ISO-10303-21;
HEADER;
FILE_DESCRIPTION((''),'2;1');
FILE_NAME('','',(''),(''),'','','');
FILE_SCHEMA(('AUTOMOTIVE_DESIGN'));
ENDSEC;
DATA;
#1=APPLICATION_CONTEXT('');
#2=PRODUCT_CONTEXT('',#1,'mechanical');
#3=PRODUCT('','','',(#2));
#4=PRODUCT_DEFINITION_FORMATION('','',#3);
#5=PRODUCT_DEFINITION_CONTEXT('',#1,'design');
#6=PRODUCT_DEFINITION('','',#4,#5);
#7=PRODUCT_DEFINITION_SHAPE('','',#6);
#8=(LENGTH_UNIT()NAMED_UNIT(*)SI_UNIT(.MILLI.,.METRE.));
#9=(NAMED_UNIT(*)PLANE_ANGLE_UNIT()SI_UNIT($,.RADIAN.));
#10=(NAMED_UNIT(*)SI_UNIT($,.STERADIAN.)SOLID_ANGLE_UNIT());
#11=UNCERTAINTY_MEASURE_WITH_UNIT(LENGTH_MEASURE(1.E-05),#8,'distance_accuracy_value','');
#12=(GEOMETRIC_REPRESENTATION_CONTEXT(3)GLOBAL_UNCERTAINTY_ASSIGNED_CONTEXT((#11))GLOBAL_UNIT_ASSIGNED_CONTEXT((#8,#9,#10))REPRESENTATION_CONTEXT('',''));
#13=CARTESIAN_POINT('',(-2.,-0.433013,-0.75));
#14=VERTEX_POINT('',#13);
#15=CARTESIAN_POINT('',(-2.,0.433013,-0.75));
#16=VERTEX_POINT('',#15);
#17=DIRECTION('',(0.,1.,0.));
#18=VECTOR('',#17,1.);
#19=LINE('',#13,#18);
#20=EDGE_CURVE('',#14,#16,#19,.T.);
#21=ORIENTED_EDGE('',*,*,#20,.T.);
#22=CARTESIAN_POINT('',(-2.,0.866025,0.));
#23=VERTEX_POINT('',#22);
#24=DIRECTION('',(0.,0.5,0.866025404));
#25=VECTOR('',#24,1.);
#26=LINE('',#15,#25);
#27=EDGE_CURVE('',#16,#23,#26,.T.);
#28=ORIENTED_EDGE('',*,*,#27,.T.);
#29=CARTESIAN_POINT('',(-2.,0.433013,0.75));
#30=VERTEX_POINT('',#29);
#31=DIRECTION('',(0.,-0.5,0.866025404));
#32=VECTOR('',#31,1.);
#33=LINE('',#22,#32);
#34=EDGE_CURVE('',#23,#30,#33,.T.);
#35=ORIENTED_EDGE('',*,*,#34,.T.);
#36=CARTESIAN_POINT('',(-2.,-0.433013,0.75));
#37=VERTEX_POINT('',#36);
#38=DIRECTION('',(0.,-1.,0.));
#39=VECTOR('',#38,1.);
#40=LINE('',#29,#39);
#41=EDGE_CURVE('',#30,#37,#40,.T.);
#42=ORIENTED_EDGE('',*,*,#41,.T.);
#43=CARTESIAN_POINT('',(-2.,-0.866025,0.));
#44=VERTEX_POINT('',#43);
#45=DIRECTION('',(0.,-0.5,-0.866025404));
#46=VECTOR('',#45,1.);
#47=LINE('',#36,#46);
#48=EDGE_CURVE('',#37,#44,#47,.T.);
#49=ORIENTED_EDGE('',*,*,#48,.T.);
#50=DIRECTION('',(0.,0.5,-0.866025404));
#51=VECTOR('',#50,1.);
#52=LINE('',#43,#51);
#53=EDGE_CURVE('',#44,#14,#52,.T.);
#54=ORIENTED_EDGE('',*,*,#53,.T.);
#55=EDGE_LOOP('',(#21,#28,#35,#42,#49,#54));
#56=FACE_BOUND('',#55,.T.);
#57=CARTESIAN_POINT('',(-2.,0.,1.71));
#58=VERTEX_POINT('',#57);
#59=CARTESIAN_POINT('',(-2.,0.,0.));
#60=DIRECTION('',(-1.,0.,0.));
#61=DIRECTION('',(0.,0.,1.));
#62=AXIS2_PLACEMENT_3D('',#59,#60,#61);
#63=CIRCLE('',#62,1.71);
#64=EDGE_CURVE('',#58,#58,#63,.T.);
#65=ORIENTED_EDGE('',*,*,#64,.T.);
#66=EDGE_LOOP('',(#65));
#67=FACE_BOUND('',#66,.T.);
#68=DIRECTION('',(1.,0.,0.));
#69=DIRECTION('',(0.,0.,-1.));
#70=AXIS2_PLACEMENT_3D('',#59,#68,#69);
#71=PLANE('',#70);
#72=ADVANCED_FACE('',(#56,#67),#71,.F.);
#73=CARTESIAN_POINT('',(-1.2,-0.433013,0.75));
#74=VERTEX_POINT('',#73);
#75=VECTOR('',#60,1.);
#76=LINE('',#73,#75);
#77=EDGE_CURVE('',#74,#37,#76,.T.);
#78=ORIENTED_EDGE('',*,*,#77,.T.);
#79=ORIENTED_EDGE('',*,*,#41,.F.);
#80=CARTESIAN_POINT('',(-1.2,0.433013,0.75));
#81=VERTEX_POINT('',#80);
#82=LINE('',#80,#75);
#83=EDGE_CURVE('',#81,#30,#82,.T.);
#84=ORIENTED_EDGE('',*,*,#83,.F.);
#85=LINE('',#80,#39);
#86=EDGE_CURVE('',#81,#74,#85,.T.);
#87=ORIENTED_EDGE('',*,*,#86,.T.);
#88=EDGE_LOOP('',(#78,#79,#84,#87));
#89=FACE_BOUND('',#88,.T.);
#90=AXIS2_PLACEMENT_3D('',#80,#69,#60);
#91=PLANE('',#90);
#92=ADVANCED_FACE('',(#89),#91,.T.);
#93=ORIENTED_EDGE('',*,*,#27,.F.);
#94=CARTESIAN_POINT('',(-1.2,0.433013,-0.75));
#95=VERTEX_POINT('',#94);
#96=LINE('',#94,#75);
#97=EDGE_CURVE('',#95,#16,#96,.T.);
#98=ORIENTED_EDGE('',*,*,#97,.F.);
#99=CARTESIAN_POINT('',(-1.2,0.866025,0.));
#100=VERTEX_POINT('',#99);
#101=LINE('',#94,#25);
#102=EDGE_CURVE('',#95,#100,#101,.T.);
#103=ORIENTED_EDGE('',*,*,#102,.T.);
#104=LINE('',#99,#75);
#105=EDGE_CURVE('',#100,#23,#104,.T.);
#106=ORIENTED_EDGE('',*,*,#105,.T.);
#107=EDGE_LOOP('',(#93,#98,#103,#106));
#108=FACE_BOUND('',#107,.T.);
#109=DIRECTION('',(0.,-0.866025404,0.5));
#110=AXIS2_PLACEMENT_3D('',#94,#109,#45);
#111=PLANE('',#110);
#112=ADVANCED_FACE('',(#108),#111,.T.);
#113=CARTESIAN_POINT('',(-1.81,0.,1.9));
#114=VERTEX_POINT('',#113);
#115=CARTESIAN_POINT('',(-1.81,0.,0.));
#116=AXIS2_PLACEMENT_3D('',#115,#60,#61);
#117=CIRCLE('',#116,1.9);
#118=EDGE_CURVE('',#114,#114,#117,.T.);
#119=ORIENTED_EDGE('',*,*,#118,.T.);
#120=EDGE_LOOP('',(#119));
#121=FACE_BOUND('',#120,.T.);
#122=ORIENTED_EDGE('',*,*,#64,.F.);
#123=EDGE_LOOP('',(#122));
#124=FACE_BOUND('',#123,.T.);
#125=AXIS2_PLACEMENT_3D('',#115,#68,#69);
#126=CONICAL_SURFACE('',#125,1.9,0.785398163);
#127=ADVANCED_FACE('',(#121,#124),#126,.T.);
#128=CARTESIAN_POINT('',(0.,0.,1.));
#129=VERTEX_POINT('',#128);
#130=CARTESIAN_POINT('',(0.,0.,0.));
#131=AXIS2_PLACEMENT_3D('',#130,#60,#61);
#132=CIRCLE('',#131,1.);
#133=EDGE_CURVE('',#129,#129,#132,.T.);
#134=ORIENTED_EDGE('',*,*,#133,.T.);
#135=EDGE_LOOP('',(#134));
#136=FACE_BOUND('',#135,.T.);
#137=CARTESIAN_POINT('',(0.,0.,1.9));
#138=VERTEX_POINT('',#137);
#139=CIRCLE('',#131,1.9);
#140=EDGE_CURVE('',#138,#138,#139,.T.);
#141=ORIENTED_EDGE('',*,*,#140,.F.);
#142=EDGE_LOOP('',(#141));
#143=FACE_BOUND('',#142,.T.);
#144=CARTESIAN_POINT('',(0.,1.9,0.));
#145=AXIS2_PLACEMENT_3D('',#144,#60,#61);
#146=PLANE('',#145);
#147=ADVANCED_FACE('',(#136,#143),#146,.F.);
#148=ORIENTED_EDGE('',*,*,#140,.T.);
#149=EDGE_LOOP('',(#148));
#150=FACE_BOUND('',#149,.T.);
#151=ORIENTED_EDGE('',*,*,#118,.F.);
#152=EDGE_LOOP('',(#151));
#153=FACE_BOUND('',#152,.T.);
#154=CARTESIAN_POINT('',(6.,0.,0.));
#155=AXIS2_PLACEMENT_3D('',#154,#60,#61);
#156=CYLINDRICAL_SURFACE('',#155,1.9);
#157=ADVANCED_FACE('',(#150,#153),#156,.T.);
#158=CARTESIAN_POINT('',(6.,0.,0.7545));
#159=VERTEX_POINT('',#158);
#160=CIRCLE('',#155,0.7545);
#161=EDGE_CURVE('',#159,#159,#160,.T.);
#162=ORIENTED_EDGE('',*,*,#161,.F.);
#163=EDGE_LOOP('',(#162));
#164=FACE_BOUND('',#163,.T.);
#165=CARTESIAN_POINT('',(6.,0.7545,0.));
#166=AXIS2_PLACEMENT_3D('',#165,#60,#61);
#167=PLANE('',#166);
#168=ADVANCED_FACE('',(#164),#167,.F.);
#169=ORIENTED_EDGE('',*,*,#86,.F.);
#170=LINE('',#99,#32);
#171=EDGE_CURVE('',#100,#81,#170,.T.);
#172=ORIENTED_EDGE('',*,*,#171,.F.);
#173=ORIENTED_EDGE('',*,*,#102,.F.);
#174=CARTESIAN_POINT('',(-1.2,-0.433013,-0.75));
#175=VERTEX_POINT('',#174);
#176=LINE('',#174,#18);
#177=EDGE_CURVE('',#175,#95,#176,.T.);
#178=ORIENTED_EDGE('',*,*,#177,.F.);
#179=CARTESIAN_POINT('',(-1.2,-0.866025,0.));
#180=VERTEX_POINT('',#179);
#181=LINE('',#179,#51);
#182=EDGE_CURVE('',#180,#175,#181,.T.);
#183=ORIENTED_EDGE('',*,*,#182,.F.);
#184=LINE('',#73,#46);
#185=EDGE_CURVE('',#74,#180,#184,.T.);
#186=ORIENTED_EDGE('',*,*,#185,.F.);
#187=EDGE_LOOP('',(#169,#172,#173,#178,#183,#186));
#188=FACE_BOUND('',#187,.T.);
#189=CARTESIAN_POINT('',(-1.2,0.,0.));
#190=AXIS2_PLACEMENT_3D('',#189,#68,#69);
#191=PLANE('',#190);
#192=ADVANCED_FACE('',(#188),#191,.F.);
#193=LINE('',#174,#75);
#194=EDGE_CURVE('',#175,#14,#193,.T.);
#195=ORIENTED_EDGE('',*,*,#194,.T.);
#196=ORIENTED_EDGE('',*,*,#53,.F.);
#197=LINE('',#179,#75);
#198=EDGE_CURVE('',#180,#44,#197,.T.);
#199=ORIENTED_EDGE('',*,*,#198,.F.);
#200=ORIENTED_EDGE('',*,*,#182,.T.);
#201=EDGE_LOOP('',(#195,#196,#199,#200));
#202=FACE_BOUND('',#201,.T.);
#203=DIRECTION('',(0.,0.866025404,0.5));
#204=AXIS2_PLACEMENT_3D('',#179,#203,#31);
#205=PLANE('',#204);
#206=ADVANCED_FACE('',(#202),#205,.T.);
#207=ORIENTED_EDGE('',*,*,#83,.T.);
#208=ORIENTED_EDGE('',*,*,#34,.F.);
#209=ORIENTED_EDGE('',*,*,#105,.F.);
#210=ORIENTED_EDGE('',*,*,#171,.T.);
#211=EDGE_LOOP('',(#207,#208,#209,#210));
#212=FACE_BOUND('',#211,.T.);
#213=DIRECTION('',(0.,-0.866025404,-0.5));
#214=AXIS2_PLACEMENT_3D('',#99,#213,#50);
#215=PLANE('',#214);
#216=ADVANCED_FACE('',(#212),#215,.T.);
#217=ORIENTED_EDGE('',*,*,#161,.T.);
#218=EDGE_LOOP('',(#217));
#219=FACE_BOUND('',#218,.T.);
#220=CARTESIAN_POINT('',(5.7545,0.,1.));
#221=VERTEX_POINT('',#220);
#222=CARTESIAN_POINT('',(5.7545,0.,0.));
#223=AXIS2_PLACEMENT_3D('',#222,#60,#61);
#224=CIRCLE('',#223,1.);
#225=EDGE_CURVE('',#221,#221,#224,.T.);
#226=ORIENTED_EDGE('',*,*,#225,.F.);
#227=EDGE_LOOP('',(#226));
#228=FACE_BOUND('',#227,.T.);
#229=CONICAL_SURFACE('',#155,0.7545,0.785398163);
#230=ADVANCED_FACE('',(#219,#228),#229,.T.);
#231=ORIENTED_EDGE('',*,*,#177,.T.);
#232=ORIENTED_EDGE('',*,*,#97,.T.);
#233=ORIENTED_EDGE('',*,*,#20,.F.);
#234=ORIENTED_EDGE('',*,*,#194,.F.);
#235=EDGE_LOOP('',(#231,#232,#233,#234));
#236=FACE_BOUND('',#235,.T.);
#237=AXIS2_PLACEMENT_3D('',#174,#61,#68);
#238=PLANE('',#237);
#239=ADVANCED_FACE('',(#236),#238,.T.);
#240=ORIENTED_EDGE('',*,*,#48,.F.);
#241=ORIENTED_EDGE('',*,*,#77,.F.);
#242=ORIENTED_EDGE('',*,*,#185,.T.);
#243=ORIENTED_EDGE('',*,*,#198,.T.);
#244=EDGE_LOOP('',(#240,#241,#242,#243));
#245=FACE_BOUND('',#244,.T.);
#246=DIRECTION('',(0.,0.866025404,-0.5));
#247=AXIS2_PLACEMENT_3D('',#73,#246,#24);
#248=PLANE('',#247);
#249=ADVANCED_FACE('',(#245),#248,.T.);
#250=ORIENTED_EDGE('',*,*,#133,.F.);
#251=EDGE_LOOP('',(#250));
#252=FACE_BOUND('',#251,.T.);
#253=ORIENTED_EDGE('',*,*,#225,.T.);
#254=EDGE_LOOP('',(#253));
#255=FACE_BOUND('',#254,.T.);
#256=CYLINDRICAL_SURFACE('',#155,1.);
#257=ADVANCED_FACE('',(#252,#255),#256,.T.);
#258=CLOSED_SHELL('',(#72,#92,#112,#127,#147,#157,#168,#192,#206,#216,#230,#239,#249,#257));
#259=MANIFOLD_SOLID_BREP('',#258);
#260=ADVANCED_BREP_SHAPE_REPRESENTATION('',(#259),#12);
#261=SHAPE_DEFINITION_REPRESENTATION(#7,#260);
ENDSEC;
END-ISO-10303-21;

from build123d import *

# Parameters (mm, degrees)
CUT_EXTRUDE1_DEPTH = 0.8


with BuildPart() as part:
    # Sketch1 → Revolve1 (revolve)
    with BuildSketch(Plane.XY):
        Polygon((-2, 0), (-2, 1.71), (-1.81, 1.9), (0, 1.9), (0, 1), (5.7545, 1), (6, 0.7545), (6, 0), align=None)
    revolve(axis=Axis((6, 0, 0), (-1, 0, 0)))

    # Sketch2 → Cut-Extrude1 (cut)
    with BuildSketch(Plane(origin=(-2, 0, 0), x_dir=(0, 0, -1), z_dir=(1, 0, 0))):
        Polygon((-0.75, -0.433012702), (0, -0.866025404), (0.75, -0.433012702), (0.75, 0.433012702), (0, 0.866025404), (-0.75, 0.433012702), align=None)
    extrude(amount=CUT_EXTRUDE1_DEPTH, mode=Mode.SUBTRACT)


solid = part.part
